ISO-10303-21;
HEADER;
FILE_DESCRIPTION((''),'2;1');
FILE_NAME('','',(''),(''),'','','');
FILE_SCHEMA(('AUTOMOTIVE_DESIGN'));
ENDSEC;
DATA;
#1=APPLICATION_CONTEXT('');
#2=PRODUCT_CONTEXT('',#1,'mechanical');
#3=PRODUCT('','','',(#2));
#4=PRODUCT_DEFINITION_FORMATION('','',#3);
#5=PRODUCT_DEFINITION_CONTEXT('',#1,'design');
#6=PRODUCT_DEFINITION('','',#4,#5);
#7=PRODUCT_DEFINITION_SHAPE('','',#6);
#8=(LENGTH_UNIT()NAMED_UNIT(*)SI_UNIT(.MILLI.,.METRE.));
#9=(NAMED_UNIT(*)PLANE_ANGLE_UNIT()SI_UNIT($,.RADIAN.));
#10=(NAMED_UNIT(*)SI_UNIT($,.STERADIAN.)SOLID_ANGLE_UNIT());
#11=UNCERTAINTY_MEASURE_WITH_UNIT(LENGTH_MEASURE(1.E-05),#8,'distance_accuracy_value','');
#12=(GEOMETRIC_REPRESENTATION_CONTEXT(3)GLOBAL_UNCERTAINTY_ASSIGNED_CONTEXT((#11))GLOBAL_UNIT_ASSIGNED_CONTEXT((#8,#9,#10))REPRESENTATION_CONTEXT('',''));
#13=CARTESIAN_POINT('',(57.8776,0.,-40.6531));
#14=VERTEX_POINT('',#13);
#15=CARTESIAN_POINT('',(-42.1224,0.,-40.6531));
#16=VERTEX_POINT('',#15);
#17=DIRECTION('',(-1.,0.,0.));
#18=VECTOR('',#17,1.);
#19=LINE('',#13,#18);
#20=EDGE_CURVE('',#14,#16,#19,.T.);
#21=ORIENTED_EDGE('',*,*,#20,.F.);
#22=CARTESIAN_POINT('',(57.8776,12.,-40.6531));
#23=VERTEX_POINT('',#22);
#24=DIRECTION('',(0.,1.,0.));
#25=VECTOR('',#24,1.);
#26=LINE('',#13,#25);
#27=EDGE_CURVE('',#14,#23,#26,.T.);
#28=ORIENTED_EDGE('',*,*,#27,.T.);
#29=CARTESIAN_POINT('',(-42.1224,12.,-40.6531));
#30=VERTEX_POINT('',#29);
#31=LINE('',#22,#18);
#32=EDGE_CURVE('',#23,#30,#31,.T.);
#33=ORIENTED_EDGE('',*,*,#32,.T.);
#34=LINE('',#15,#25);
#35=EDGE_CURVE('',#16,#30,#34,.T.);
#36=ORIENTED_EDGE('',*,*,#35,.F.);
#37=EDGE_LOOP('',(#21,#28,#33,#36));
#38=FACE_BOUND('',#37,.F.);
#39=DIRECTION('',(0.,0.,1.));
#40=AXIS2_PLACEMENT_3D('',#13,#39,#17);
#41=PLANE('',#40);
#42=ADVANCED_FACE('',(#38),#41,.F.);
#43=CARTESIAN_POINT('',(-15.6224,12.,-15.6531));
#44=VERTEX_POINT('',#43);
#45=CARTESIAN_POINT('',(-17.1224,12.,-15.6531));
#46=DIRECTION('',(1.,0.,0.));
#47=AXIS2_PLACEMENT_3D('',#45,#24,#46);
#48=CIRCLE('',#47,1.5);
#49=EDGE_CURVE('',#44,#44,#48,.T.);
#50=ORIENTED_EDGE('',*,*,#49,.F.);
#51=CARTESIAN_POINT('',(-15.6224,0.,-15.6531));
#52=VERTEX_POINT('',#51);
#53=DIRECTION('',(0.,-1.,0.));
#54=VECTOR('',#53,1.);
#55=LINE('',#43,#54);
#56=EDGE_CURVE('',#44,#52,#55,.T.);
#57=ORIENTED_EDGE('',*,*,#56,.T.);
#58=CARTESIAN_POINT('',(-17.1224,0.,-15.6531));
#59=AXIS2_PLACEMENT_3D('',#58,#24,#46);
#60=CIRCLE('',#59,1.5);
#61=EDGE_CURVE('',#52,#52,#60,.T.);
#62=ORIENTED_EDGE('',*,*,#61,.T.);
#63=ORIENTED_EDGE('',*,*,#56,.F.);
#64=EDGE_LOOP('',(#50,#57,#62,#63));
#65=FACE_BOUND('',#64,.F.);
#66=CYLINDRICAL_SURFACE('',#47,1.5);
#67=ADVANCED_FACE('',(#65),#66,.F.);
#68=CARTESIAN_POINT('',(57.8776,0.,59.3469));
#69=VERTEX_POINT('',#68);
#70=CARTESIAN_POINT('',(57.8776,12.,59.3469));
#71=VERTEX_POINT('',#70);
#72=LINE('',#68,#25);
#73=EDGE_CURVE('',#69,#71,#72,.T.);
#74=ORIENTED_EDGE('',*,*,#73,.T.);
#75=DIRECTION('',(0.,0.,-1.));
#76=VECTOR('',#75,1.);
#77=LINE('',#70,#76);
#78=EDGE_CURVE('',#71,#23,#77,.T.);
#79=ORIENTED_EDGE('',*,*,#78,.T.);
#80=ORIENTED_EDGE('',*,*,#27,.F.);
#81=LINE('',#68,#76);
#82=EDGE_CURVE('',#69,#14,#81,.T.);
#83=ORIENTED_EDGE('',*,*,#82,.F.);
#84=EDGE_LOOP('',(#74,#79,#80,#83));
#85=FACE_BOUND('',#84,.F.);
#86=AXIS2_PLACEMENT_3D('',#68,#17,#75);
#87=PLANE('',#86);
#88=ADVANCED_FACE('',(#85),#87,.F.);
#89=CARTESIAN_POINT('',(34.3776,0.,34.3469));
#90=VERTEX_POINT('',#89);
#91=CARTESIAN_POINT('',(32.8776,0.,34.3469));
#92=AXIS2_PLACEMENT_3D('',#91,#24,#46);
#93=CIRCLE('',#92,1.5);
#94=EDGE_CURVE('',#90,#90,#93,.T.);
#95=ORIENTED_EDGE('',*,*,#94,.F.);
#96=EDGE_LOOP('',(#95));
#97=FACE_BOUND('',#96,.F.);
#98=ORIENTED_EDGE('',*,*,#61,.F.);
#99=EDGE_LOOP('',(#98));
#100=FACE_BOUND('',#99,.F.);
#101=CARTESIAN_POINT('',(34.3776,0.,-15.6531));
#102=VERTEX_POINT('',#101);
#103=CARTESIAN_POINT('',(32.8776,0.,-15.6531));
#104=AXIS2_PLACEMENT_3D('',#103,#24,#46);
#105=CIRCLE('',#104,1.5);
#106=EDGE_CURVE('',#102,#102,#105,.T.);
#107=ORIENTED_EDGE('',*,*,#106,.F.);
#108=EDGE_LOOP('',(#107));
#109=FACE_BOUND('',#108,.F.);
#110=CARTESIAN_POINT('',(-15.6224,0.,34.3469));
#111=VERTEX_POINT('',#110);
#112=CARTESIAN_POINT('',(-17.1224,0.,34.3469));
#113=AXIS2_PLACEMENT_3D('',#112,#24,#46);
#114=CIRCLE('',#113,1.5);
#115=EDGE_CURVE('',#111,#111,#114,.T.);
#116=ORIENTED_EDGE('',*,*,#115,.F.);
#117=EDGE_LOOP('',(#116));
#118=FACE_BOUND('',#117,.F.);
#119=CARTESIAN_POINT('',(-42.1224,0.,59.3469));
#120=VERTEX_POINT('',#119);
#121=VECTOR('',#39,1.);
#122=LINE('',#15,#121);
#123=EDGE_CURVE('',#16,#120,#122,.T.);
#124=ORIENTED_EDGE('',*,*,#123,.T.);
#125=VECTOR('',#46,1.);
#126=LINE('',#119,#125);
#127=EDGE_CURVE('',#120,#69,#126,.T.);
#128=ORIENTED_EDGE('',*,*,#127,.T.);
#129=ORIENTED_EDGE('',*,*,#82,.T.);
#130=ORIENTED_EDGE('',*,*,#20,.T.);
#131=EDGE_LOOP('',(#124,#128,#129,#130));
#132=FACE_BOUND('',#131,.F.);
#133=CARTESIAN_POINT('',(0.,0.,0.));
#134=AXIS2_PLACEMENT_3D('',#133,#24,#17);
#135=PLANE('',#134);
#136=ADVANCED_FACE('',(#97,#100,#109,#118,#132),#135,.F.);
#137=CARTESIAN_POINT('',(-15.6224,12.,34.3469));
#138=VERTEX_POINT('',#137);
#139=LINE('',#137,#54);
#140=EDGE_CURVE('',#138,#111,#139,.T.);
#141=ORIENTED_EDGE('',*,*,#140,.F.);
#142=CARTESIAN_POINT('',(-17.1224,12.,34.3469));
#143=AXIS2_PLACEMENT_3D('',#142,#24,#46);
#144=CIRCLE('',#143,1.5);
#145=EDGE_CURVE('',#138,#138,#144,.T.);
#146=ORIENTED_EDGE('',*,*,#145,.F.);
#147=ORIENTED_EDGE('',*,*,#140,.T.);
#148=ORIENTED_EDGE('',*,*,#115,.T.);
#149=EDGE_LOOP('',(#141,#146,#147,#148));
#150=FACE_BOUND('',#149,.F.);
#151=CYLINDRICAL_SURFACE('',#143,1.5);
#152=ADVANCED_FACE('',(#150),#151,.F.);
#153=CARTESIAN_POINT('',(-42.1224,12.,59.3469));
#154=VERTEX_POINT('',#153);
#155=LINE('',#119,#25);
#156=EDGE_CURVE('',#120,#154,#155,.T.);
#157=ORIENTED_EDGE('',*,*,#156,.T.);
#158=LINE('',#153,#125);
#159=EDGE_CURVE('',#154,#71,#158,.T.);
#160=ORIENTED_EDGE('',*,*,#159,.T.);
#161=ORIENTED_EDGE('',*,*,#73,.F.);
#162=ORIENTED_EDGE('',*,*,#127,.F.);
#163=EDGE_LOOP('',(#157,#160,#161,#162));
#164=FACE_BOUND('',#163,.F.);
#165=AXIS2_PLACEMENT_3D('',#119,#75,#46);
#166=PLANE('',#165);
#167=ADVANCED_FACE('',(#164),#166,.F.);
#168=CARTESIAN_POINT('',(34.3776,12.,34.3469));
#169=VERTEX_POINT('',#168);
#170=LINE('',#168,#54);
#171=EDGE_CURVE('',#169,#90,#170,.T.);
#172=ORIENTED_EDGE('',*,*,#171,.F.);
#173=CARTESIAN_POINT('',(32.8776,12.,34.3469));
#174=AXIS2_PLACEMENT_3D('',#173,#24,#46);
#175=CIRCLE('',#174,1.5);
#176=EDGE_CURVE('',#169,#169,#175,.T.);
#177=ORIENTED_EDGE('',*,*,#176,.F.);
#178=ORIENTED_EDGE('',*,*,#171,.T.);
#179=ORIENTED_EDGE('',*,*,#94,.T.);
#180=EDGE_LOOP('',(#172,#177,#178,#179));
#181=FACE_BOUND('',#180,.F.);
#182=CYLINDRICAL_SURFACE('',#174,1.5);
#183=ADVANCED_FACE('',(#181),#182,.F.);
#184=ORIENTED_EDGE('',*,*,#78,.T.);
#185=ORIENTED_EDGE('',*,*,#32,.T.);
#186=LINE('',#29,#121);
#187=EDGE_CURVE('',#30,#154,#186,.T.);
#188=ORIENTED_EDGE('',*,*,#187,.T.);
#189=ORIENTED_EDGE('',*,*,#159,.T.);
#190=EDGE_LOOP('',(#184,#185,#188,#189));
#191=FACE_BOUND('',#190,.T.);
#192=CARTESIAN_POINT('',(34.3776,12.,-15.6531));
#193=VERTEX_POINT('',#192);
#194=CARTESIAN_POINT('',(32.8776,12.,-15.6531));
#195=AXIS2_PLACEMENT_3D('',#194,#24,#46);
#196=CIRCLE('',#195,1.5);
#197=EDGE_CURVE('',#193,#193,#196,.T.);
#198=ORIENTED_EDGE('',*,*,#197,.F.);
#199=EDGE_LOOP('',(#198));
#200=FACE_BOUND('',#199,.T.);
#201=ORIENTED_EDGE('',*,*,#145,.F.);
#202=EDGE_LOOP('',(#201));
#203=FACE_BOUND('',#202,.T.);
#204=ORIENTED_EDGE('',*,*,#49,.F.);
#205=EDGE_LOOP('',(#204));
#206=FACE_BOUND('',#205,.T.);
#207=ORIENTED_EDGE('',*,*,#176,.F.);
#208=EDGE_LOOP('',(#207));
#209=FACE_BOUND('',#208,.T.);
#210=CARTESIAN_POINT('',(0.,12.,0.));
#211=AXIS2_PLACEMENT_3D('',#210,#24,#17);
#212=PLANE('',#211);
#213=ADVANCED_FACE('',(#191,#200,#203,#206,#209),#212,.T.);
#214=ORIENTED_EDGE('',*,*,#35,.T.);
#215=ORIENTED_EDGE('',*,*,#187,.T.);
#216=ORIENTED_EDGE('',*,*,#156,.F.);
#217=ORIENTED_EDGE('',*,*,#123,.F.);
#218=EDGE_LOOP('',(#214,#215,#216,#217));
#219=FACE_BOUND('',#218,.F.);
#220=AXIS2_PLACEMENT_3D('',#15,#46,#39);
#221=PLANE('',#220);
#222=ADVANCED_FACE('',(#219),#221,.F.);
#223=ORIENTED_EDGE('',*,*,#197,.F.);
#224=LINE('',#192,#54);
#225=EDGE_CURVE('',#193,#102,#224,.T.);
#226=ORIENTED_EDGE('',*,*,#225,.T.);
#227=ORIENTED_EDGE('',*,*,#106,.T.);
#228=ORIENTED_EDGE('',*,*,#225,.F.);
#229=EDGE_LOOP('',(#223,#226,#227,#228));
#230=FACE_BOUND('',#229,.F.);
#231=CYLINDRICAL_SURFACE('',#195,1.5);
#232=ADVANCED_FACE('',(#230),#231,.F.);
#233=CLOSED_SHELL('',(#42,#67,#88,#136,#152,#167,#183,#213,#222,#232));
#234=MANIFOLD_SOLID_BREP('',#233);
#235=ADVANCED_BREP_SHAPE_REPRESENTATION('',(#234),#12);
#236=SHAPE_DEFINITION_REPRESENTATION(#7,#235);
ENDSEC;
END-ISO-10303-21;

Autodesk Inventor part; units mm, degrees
ref_plane "YZ Plane" through (0, 0, 0) normal (1, 0, 0) x (0, 1, 0)
ref_plane "XZ Plane" through (0, 0, 0) normal (0, 1, 0) x (-1, 0, 0)
ref_plane "XY Plane" through (0, 0, 0) normal (0, 0, 1) x (1, 0, 0)
sketch "草图1" plane through (0, 0, 0) normal (0, 1, 0) x (-1, 0, 0)
  line L0 (42.1224, 59.3469) -> (-57.8776, 59.3469)
  line L1 (-57.8776, 59.3469) -> (-57.8776, -40.6531)
  line L2 (-57.8776, -40.6531) -> (42.1224, -40.6531)
  line L3 (42.1224, -40.6531) -> (42.1224, 59.3469)
  point P0 (0, 0)
  dimension "d0" = 100
  dimension "d1" = 100
extrude "拉伸1" add sketch "草图1" along normal blind 12
sketch "草图2" plane through (0, 12, 0) normal (0, 1, 0) x (1, 0, 0)
  circle A0 centre (-17.1224, -34.3469) radius 1.5
  line L0 (-42.1224, 40.6531) -> (-42.1224, -59.3469) projected
  line L1 (-42.1224, -59.3469) -> (57.8776, -59.3469) projected
  circle A1 centre (32.8776, -34.3469) radius 1.5
  circle A2 centre (32.8776, 15.6531) radius 1.5
  circle A3 centre (-17.1224, 15.6531) radius 1.5
  point P0 (0, 0)
  dimension "d4" = 3
  dimension "d5" = 25
  dimension "d6" = 25
  dimension "d9" = 50
  dimension "d16" = 50
  dimension "d23" = 50
extrude "拉伸2" cut sketch "草图2" against normal blind 12
properties part number "底座"
